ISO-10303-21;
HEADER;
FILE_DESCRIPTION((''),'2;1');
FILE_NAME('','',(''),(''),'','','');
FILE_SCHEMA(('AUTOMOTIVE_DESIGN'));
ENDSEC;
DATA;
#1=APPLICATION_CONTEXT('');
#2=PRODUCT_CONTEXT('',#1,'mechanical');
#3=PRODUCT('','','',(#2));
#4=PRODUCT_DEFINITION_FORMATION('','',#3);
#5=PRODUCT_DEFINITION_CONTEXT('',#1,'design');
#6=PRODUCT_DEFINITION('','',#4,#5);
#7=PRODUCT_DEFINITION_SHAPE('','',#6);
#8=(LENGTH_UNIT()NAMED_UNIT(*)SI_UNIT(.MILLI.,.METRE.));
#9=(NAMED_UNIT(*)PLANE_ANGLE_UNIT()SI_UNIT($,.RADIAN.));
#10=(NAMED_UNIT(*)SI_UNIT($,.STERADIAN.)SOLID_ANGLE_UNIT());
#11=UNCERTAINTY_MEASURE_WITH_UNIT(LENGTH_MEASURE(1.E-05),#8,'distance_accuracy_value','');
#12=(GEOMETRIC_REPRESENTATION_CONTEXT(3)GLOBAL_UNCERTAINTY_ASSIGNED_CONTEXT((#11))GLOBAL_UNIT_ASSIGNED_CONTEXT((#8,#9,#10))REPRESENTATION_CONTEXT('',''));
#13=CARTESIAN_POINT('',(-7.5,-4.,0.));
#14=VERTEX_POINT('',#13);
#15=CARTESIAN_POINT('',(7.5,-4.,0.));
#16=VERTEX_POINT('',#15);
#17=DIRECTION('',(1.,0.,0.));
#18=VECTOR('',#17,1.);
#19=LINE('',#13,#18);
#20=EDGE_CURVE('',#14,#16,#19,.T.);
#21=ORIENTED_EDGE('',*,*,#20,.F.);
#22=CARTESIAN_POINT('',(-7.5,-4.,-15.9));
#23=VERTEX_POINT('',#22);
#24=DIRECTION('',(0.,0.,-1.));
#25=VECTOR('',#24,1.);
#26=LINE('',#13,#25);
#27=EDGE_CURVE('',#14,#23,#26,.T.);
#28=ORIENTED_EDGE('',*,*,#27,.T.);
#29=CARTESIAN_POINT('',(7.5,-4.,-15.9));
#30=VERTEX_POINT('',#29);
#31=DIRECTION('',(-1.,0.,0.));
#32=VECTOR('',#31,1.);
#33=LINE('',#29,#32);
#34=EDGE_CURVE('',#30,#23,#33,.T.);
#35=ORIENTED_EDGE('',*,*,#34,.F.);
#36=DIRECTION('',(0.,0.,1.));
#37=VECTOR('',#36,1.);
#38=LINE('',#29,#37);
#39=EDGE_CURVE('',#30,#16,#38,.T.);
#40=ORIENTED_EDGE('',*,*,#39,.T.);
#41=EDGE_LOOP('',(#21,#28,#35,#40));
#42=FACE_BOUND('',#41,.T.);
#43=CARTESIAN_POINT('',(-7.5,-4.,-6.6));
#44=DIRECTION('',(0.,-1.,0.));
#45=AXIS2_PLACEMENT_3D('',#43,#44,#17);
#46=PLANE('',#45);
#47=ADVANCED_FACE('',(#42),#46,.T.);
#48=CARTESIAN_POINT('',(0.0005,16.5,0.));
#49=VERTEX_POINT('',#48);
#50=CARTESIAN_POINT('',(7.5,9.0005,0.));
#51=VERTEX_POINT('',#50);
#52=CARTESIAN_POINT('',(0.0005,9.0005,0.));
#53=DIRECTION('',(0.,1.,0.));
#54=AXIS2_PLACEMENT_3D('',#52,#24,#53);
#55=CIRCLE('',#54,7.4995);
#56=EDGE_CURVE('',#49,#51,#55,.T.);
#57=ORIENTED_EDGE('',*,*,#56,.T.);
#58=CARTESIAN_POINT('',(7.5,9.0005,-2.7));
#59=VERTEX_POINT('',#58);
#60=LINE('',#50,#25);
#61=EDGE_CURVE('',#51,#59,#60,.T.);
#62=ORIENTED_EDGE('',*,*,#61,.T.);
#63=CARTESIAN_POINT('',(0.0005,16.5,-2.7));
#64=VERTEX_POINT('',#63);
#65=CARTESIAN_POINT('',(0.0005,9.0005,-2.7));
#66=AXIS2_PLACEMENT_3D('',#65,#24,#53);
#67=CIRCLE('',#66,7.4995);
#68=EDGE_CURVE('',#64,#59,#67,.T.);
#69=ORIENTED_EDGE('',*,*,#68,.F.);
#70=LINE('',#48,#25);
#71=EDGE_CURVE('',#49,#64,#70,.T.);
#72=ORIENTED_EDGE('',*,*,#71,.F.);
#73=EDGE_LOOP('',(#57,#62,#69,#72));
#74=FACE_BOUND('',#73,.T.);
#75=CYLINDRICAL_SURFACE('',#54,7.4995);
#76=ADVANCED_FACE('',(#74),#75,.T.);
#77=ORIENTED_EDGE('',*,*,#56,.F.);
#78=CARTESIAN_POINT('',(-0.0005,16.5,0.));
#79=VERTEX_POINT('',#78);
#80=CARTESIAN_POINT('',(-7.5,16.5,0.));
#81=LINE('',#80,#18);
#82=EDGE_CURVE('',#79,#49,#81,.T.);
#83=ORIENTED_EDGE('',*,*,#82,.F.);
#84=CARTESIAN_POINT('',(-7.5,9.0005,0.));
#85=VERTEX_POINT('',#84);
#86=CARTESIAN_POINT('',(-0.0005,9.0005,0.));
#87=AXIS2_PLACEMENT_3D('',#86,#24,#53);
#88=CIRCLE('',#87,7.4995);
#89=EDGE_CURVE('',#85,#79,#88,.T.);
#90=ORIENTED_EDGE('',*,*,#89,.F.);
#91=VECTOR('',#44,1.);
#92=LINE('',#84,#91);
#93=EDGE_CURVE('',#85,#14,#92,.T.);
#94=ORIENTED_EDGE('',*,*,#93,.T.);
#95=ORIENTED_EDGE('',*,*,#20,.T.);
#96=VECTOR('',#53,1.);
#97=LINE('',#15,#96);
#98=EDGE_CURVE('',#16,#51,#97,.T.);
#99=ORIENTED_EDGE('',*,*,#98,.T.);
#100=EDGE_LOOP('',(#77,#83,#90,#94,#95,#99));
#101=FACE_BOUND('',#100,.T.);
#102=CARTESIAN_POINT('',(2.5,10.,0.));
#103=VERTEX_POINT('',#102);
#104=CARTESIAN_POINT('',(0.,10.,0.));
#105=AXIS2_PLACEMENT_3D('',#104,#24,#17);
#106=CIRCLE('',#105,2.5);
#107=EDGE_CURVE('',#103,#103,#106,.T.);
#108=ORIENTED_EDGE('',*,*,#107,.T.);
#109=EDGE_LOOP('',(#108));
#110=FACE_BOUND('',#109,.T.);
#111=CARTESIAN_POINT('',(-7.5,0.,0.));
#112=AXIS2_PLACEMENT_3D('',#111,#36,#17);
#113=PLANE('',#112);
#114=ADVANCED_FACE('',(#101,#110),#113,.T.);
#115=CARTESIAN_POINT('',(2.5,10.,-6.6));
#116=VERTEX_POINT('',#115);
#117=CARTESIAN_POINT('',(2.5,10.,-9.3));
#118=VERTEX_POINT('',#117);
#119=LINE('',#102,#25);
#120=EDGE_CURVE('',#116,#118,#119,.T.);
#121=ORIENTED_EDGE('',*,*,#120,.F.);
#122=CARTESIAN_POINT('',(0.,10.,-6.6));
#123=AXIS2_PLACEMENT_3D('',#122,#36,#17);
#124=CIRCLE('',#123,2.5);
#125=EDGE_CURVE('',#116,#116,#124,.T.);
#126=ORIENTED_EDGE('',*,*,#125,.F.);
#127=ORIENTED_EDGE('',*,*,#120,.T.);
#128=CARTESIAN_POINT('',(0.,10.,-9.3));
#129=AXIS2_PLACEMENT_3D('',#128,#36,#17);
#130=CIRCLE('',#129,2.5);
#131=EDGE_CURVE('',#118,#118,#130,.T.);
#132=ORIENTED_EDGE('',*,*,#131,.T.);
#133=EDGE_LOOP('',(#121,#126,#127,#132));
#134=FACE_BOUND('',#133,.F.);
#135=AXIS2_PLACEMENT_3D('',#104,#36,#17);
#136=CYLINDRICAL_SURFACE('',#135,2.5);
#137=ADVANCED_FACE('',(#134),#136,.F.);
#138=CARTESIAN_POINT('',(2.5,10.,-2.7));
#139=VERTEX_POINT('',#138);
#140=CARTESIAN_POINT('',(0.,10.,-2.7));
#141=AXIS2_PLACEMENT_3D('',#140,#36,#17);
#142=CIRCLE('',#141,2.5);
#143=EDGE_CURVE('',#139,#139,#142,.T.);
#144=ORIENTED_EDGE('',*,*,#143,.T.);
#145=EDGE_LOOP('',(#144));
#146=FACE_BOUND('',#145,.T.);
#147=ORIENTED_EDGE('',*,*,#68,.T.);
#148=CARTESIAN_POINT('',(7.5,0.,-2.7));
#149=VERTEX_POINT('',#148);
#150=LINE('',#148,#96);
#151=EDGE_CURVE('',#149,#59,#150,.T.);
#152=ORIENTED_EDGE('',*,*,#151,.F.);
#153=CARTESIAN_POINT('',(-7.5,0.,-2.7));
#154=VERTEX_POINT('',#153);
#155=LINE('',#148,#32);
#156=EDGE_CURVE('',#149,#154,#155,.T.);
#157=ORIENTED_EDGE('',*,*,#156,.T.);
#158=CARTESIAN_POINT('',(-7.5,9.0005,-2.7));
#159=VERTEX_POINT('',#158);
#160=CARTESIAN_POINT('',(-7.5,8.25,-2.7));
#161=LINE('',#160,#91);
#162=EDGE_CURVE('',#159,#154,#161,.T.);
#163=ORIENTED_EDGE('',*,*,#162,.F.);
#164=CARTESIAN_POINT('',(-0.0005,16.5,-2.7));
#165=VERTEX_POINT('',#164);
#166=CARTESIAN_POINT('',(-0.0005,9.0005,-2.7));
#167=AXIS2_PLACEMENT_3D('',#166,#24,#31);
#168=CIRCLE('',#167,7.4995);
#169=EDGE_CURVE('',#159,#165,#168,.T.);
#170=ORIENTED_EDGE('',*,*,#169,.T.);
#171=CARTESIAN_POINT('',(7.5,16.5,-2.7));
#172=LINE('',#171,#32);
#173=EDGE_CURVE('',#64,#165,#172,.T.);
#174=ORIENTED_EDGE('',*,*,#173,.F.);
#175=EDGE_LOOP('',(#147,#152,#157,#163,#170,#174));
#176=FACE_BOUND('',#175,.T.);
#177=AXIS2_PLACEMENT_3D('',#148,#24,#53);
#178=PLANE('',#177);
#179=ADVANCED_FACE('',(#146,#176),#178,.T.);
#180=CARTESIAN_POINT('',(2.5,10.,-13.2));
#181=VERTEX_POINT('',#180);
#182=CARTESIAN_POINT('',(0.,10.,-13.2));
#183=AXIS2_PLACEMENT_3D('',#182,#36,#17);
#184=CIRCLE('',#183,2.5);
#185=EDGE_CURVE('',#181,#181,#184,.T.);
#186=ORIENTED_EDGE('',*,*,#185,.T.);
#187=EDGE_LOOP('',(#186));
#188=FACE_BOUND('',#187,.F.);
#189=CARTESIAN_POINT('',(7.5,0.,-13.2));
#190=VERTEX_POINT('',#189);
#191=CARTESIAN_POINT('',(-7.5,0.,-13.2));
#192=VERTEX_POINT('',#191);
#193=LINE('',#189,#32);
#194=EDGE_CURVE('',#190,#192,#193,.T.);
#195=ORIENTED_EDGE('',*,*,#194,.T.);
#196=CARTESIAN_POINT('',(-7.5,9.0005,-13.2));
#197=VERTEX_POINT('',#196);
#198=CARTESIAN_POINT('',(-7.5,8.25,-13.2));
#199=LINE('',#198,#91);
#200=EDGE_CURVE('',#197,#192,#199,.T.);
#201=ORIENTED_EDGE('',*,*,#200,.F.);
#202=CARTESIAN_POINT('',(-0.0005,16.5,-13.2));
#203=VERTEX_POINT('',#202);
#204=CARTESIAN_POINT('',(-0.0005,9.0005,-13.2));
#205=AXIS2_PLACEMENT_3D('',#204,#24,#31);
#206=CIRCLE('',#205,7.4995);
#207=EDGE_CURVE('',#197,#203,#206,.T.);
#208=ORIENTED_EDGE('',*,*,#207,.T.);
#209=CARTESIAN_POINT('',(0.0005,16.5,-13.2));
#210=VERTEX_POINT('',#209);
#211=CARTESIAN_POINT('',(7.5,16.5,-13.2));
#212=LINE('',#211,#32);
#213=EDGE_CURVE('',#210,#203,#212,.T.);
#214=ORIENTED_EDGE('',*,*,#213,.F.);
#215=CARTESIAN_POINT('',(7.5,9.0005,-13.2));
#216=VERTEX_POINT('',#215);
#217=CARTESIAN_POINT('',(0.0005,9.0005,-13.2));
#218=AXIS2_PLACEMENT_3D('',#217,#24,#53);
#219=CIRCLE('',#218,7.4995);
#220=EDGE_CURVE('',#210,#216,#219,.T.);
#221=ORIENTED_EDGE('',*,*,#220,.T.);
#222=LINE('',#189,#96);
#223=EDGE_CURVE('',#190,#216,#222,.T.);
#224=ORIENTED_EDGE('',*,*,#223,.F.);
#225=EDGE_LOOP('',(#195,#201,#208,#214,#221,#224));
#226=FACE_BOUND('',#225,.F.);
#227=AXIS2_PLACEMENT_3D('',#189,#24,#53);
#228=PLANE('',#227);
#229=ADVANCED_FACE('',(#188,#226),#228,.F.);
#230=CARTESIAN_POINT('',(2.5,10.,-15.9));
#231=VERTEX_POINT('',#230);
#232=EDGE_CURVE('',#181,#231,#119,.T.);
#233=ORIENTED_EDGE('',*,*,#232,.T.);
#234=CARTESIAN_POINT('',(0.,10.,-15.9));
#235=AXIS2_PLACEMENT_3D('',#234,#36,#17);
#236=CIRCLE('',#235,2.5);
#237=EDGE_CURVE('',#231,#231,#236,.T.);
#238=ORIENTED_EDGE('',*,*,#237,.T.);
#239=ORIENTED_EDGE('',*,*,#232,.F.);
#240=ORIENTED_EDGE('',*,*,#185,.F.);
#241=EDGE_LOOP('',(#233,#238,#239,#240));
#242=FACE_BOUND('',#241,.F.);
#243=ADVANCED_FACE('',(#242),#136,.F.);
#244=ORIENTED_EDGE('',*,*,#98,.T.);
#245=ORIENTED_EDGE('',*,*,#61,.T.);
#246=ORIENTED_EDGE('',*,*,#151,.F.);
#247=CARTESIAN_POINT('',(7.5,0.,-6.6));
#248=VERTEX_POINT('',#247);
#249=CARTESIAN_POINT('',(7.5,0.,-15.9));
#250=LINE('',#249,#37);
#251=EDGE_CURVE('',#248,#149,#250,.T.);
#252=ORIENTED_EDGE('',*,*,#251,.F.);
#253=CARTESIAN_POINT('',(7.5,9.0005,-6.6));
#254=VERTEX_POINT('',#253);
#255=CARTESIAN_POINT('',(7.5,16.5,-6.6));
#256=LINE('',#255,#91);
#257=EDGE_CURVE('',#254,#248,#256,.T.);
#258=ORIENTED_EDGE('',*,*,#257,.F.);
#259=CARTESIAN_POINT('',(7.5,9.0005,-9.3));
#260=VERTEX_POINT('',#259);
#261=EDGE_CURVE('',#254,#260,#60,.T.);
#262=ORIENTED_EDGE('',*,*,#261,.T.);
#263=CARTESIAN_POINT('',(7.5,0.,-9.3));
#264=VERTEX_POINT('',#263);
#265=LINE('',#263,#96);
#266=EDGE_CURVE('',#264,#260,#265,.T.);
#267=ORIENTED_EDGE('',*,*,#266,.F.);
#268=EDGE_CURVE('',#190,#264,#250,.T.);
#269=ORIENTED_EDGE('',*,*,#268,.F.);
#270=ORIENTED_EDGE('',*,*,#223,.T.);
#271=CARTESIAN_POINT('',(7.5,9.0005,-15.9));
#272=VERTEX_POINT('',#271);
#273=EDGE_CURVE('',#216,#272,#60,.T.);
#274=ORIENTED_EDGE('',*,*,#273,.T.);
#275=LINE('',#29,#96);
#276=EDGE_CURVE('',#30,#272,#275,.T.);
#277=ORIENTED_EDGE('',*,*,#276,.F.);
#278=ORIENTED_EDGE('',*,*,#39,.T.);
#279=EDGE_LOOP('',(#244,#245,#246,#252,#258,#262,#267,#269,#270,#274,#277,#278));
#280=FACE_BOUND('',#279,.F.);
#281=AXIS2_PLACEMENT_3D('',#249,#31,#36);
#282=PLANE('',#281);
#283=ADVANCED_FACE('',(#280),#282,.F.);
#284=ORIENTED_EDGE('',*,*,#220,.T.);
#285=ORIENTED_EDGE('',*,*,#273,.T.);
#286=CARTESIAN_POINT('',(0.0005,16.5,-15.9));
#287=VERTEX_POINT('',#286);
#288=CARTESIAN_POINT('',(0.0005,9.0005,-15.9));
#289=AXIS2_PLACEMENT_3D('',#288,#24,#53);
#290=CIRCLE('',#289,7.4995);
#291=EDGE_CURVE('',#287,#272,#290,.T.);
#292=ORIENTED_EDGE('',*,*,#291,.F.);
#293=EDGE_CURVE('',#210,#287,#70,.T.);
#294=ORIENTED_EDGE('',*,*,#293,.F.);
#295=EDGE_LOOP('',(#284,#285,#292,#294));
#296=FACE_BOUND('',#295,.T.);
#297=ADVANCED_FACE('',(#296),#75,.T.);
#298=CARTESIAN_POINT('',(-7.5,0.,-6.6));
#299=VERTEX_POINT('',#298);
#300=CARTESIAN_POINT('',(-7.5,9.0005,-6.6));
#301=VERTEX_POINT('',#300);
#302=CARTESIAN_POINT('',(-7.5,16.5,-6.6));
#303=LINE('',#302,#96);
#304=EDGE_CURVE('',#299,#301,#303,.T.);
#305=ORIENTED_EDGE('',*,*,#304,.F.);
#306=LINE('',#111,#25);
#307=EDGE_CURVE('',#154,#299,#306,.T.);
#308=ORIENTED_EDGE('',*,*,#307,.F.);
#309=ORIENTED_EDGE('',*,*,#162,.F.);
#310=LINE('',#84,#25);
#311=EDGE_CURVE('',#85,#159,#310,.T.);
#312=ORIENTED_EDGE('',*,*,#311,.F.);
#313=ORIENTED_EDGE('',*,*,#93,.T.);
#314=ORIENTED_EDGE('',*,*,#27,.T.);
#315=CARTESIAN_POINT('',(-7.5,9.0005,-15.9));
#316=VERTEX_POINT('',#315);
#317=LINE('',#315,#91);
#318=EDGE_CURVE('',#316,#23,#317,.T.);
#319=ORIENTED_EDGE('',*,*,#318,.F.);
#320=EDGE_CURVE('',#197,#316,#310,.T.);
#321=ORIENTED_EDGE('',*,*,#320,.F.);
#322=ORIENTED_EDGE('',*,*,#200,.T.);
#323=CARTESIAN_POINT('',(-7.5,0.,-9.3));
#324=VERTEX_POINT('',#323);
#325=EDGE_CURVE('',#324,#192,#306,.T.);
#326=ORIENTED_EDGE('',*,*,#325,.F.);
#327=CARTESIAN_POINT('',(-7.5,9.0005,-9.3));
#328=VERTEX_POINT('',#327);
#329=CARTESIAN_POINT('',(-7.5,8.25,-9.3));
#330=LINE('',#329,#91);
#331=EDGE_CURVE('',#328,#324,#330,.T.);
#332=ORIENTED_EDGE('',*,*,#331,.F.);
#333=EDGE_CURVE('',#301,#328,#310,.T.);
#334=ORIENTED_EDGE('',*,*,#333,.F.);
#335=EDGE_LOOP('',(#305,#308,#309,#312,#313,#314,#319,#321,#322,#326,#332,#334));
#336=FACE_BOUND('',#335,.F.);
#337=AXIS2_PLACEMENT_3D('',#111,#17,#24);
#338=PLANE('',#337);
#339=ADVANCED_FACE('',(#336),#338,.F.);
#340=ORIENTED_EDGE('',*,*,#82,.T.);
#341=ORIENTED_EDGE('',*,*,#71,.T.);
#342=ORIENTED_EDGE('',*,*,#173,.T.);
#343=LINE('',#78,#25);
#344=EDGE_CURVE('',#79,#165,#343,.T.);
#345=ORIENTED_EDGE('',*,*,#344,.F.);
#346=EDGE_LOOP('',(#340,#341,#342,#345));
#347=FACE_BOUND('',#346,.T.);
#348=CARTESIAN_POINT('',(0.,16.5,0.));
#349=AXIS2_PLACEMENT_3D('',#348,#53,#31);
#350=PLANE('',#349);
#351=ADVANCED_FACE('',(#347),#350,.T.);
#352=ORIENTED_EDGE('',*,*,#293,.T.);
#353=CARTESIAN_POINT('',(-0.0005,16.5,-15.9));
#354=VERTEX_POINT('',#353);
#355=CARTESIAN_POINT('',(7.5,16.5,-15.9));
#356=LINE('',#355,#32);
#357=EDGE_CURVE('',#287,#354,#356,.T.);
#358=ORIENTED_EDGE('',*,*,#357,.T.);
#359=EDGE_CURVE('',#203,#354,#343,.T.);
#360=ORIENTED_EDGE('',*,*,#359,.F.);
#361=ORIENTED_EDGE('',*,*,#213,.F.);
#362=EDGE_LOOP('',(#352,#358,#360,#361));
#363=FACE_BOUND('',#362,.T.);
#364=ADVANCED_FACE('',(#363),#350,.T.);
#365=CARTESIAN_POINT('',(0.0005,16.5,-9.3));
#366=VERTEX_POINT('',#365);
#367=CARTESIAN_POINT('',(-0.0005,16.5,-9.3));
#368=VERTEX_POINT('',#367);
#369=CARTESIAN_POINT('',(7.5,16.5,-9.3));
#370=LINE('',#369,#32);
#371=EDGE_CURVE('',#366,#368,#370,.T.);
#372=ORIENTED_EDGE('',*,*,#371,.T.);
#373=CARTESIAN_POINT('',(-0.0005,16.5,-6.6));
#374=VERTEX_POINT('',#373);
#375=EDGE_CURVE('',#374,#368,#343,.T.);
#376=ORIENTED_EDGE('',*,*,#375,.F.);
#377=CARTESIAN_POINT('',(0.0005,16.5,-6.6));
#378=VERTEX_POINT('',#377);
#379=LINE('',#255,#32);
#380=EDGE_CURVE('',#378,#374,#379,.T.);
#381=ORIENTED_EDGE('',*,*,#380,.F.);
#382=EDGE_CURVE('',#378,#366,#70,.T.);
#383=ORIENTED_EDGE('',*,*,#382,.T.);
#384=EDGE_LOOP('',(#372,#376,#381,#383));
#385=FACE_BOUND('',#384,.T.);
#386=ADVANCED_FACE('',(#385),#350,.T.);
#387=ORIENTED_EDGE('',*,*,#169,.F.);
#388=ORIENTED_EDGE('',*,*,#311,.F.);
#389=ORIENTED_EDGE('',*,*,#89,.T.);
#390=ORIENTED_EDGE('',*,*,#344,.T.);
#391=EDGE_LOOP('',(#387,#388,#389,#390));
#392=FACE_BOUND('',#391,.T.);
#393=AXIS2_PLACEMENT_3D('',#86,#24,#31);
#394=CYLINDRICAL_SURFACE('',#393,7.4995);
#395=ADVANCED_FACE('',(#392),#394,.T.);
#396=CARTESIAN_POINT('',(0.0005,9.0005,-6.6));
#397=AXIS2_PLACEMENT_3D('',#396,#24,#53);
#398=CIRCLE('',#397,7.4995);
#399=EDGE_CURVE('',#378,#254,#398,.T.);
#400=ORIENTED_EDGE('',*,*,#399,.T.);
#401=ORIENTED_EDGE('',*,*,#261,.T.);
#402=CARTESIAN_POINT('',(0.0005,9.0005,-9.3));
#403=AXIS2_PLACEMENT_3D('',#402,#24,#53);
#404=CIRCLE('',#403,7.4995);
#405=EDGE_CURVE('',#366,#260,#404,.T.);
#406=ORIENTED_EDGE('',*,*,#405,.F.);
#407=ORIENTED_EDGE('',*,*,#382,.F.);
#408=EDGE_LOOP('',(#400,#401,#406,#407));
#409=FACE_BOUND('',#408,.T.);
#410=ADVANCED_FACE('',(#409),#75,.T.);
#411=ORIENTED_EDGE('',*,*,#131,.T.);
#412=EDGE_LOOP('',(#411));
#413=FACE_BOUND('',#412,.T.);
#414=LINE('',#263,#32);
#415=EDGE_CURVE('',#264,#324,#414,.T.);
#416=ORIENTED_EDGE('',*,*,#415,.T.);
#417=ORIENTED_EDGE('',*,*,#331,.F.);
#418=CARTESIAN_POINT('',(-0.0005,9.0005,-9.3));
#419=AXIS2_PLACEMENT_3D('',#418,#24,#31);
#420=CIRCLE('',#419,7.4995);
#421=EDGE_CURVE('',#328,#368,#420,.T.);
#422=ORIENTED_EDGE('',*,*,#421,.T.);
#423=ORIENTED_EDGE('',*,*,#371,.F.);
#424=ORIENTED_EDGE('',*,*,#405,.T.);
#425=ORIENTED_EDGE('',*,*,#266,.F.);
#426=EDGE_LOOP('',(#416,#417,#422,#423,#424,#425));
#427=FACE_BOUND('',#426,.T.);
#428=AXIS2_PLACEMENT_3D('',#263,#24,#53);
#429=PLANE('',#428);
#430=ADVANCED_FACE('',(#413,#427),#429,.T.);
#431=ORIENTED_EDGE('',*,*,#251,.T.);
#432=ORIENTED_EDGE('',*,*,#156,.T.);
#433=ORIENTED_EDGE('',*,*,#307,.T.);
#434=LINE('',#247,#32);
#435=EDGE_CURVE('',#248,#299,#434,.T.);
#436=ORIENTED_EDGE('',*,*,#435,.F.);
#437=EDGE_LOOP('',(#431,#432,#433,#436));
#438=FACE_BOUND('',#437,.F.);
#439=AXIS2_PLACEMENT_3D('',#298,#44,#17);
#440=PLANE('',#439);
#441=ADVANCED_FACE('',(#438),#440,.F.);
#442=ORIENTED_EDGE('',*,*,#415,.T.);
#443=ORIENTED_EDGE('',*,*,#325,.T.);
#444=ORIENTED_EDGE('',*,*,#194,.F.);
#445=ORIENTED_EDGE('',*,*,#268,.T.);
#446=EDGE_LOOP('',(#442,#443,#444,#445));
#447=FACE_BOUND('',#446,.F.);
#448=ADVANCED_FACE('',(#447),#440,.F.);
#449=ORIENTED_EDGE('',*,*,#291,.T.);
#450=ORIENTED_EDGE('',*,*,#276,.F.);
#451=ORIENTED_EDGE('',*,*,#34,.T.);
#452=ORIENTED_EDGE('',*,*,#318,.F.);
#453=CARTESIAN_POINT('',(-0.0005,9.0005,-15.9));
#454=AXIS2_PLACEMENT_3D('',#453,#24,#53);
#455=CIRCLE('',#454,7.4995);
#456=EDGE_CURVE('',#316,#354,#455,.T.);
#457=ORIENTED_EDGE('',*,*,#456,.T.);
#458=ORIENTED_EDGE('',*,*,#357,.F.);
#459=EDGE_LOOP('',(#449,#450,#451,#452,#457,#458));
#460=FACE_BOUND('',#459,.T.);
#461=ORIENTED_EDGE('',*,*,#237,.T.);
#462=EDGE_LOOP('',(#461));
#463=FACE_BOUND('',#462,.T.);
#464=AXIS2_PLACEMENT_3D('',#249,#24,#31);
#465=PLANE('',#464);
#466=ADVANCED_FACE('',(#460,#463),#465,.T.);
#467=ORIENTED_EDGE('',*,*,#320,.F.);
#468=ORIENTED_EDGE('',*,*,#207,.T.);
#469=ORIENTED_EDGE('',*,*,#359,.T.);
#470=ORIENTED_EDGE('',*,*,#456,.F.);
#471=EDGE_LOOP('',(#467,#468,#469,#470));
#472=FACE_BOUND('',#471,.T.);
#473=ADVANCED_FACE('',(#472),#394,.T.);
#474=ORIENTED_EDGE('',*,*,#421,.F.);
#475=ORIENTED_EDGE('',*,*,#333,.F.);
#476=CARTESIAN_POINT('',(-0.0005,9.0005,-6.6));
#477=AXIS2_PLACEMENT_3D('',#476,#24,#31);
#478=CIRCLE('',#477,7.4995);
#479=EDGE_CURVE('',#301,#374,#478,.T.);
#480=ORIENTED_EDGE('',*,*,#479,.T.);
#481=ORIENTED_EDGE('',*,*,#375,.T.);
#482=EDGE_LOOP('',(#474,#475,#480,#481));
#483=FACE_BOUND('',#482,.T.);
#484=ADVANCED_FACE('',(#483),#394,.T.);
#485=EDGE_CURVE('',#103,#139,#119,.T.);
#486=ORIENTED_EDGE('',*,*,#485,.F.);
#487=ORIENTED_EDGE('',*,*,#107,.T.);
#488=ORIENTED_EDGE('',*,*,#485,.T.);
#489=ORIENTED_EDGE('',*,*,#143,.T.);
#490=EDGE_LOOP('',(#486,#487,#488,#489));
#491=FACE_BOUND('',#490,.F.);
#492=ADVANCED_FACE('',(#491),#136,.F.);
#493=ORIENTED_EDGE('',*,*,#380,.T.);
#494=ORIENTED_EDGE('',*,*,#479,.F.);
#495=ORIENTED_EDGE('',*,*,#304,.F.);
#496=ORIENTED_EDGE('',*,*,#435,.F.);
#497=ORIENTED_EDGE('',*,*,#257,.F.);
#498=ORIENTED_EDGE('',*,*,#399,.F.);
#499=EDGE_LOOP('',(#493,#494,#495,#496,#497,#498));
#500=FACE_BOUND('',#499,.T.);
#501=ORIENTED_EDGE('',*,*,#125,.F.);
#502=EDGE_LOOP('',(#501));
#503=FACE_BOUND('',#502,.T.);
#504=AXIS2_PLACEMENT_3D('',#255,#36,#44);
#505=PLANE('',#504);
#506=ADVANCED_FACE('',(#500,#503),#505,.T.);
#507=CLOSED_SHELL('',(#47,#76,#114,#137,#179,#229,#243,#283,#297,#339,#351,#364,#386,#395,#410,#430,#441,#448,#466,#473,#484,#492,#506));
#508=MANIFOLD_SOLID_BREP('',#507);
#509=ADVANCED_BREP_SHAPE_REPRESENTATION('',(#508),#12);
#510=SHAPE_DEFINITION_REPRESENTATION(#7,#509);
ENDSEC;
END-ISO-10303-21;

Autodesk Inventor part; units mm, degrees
ref_plane "YZ Plane" through (0, 0, 0) normal (1, 0, 0) x (0, 1, 0)
ref_plane "XZ Plane" through (0, 0, 0) normal (0, 1, 0) x (-1, 0, 0)
ref_plane "XY Plane" through (0, 0, 0) normal (0, 0, 1) x (1, 0, 0)
sketch "Sketch4" plane through (0, 0, 0) normal (0, 0, 1) x (1, 0, 0)
  line L0 (-10.5, 0) -> (10.5, 0) projected
  line L1 (0, -3.3) -> (0, 19.8) projected
  line L2 (-7.5, 0) -> (7.5, 0)
  line L3 (7.5, 0) -> (7.5, 16.5)
  line L4 (7.5, 16.5) -> (-7.5, 16.5)
  line L5 (-7.5, 16.5) -> (-7.5, 0)
  circle A0 centre (0, 10) radius 2.5
  point P0 (0, 0)
  dimension "d0" = 7.5
  dimension "d1" = 7.5
  dimension "d2" = 16.5
  dimension "d3" = 5
  dimension "d4" = 6.5
extrude "Extrusion1" add sketch "Sketch4" against normal blind 15.9 contours L5 L4 L1 A0 L0 | L1 A0 L4 L3 L0
fillet "Fillet1" radius 7.5 2 edges at (7.5, 16.5, -7.95) (-7.5, 16.5, -7.95)
sketch "Sketch13" plane through (7.5, 9, 0) normal (1, 0, 0) x (0, 0, -1)
  line L0 (0, -12.3) -> (0, 10.8) projected
  line L1 (19.08, -9) -> (-3.18, -9) projected
  line L2 (0, -9) -> (0, 0) projected
  line L3 (0, 7.5) -> (15.9, 7.5) projected
  line L4 (0, -9) -> (2.7, -9)
  line L5 (2.7, -9) -> (2.7, 7.5)
  line L6 (2.7, 7.5) -> (0, 7.5)
  line L7 (0, 7.5) -> (0, -9)
  line L8 (15.9, -9) -> (15.9, 0) projected
  line L9 (15.9, -9) -> (13.2, -9)
  line L10 (13.2, -9) -> (13.2, 7.5)
  line L11 (13.2, 7.5) -> (15.9, 7.5)
  line L12 (15.9, 7.5) -> (15.9, -9)
  line L13 (6.6, -9) -> (9.3, -9)
  line L14 (9.3, -9) -> (9.3, 7.5)
  line L15 (9.3, 7.5) -> (6.6, 7.5)
  line L16 (6.6, 7.5) -> (6.6, -9)
  dimension "d47" = 2.7
  dimension "d48" = 2.7
  dimension "d49" = 2.7
  dimension "d50" = 15.9
  dimension "d51" = 3.9
  dimension "d52" = 3.9
extrude "Extrusion8" cut sketch "Sketch13" against normal through all contours L5 L3 L16 L1 | L14 L3 L10 L1
sketch "Sketch14" plane through (-7.5, 0, -6.6) normal (0, -1, 0) x (1, 0, 0)
  line L0 (0, 6.6) -> (15, 6.6) projected
  line L1 (15, -9.3) -> (0, -9.3) projected
  line L2 (15, 6.6) -> (0, 6.6)
  line L3 (0, 6.6) -> (0, -9.3)
  line L4 (0, -9.3) -> (15, -9.3)
  line L5 (15, -9.3) -> (15, 6.6)
  point P0 (7.5, 6.6)
extrude "Extrusion9" add sketch "Sketch14" along normal blind 4
properties part number "mountGeneric"
